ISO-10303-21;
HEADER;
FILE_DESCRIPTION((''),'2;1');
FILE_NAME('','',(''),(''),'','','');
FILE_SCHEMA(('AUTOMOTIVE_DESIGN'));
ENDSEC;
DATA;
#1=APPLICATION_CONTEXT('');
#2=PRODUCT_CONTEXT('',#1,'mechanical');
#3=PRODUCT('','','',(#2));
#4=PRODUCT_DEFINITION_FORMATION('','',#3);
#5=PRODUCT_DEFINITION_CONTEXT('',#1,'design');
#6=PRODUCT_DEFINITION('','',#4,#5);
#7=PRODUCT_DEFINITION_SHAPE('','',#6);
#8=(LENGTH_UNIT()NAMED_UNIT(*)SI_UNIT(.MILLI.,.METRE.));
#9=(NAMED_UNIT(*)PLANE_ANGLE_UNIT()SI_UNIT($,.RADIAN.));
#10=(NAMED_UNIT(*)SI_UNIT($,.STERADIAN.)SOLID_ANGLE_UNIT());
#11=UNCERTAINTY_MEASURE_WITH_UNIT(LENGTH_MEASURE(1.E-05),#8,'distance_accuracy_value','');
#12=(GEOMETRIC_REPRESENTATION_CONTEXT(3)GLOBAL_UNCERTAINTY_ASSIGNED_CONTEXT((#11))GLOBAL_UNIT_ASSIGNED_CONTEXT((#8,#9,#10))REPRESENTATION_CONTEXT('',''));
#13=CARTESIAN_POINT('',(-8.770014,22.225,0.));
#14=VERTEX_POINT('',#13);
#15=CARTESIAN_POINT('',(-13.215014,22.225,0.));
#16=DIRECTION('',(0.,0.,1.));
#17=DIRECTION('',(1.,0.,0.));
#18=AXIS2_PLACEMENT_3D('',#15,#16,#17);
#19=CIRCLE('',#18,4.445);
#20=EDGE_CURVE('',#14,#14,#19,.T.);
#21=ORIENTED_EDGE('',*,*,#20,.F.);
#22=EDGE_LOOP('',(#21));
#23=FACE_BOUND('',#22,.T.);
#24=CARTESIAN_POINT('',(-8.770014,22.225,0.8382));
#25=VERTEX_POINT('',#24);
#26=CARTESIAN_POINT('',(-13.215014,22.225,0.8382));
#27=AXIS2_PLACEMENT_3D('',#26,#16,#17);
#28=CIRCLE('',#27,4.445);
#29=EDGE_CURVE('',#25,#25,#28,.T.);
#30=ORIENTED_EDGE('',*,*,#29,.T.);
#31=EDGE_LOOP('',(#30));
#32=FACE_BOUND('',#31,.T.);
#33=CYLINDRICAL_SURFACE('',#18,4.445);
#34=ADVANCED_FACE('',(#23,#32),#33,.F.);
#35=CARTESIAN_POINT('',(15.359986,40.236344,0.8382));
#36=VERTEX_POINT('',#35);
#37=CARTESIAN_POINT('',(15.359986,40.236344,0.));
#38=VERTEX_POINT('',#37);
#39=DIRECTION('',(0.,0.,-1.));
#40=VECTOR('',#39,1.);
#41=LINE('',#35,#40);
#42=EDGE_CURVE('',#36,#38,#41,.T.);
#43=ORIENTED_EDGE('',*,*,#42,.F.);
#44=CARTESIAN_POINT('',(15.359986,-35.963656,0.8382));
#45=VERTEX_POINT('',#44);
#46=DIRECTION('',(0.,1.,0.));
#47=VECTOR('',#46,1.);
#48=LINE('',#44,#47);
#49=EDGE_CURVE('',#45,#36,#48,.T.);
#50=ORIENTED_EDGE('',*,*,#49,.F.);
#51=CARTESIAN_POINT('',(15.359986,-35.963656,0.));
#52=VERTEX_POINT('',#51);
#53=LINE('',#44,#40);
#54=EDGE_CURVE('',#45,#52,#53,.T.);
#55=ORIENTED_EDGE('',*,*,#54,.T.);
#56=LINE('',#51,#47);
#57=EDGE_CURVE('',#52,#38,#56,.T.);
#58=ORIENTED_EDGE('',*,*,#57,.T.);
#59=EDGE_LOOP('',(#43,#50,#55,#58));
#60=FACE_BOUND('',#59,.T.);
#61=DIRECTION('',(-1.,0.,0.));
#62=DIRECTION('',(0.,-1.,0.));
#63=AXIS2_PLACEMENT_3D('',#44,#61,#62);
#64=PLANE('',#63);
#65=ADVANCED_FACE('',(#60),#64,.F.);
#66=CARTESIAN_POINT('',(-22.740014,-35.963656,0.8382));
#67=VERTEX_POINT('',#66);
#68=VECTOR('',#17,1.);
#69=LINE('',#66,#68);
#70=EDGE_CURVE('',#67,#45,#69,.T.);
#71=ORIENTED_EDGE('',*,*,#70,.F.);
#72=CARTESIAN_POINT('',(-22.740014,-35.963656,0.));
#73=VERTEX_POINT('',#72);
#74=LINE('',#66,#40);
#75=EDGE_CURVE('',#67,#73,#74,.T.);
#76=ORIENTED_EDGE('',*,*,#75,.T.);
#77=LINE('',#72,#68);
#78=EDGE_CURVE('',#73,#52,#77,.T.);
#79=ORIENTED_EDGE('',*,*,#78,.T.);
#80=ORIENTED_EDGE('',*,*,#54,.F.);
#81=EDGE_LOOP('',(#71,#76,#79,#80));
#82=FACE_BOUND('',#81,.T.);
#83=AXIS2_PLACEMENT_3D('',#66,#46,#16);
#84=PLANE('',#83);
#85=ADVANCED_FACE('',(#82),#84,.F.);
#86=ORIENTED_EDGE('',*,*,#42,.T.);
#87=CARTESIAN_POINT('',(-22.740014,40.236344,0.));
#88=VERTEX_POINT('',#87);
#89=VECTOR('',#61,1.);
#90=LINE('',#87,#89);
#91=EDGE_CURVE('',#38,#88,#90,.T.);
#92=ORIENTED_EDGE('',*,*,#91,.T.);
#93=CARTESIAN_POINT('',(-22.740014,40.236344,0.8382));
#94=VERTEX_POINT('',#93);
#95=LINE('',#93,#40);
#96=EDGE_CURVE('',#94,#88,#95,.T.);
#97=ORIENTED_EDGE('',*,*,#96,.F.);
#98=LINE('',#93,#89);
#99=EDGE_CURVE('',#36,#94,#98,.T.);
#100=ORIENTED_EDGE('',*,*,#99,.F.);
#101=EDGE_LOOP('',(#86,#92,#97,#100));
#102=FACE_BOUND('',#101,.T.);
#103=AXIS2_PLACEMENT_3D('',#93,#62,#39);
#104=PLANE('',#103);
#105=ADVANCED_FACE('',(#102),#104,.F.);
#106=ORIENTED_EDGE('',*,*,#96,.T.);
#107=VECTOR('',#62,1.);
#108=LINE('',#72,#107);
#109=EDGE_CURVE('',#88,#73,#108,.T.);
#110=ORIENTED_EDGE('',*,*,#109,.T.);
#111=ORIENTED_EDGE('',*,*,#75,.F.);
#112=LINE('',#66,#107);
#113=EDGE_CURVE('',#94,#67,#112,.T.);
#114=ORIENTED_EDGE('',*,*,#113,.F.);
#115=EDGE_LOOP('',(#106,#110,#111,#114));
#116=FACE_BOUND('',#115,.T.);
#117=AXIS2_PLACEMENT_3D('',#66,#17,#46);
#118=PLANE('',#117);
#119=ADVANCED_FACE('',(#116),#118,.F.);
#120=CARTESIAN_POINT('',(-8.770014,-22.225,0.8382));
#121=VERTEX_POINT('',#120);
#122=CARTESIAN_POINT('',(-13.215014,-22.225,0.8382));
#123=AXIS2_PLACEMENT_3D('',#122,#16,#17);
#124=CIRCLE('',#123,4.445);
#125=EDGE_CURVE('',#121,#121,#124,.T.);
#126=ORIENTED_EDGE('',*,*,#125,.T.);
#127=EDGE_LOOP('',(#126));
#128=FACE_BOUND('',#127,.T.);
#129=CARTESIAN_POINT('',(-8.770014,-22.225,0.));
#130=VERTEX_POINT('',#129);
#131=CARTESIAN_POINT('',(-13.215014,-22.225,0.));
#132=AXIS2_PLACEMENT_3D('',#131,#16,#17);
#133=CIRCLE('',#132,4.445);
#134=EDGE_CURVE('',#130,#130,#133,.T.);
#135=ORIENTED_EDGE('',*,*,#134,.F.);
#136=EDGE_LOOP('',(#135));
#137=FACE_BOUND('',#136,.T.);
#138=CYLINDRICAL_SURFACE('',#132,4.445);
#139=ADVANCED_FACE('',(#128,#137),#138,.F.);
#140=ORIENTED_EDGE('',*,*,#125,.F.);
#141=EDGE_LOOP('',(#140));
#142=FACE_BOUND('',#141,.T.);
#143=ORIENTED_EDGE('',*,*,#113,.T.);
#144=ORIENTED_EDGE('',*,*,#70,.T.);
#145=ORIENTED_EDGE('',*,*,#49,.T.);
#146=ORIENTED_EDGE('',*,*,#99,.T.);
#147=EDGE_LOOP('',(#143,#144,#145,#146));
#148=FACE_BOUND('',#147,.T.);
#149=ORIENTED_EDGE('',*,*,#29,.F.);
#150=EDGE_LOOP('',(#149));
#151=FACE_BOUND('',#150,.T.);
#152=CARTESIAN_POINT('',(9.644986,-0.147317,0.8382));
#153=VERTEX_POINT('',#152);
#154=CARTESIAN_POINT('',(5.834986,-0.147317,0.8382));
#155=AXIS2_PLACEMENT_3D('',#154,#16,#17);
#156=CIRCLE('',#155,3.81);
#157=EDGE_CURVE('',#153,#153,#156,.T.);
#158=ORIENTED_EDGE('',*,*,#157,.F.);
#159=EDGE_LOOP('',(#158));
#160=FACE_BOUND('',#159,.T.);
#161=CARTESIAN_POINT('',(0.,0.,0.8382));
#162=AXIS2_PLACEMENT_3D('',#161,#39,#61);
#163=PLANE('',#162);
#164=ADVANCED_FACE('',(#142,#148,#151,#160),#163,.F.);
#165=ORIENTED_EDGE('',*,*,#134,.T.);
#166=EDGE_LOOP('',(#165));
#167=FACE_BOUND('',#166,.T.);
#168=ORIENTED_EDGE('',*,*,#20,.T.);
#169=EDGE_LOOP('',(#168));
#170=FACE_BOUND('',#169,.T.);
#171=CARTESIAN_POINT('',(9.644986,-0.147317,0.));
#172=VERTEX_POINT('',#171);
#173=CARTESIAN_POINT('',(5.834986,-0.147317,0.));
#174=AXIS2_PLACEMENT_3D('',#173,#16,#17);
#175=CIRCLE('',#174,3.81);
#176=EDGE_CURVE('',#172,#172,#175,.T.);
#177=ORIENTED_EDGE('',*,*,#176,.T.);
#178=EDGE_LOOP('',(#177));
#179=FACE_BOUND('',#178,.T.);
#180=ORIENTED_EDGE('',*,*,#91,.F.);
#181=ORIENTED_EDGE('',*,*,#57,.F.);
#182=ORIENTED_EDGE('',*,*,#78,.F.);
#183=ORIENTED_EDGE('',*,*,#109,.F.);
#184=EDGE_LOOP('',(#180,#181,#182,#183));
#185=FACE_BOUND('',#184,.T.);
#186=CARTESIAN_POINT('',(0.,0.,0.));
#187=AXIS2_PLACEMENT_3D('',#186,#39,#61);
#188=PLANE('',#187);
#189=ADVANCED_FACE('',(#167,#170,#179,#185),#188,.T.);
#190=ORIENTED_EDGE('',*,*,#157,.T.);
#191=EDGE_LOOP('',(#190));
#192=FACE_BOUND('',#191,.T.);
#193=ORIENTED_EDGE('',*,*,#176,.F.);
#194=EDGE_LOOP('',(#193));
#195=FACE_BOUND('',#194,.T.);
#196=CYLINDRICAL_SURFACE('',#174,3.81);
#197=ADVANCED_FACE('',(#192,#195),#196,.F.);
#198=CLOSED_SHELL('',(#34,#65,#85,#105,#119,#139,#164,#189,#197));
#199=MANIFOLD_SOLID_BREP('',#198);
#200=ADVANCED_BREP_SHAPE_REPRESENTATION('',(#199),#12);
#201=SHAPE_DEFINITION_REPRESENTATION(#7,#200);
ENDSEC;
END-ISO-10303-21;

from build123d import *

# Parameters (mm, degrees)
SKETCH1_W           = 38.1
SKETCH1_H           = 76.2
BOSS_EXTRUDE1_DEPTH = 0.8382
SKETCH2_R           = 3.81
SKETCH2_R_2         = 4.445
CUT_EXTRUDE1_DEPTH  = 47.225254911


with BuildPart() as part:
    # Sketch1 → Boss-Extrude1 (new body)
    with BuildSketch(Plane.XY):
        with Locations((-3.690013682, 2.136344145)):
            Rectangle(SKETCH1_W, SKETCH1_H)
    extrude(amount=BOSS_EXTRUDE1_DEPTH)

    # Sketch2 → Cut-Extrude1 (cut, through all)
    with BuildSketch(Plane.XY.offset(0.8382)):
        with Locations((5.834986318, -0.147316624)):
            Circle(SKETCH2_R)
        with Locations((-13.215013682, 22.225)):
            Circle(SKETCH2_R_2)
        with Locations((-13.215013682, -22.225)):
            Circle(SKETCH2_R_2)
    extrude(amount=-CUT_EXTRUDE1_DEPTH, mode=Mode.SUBTRACT)


solid = part.part
